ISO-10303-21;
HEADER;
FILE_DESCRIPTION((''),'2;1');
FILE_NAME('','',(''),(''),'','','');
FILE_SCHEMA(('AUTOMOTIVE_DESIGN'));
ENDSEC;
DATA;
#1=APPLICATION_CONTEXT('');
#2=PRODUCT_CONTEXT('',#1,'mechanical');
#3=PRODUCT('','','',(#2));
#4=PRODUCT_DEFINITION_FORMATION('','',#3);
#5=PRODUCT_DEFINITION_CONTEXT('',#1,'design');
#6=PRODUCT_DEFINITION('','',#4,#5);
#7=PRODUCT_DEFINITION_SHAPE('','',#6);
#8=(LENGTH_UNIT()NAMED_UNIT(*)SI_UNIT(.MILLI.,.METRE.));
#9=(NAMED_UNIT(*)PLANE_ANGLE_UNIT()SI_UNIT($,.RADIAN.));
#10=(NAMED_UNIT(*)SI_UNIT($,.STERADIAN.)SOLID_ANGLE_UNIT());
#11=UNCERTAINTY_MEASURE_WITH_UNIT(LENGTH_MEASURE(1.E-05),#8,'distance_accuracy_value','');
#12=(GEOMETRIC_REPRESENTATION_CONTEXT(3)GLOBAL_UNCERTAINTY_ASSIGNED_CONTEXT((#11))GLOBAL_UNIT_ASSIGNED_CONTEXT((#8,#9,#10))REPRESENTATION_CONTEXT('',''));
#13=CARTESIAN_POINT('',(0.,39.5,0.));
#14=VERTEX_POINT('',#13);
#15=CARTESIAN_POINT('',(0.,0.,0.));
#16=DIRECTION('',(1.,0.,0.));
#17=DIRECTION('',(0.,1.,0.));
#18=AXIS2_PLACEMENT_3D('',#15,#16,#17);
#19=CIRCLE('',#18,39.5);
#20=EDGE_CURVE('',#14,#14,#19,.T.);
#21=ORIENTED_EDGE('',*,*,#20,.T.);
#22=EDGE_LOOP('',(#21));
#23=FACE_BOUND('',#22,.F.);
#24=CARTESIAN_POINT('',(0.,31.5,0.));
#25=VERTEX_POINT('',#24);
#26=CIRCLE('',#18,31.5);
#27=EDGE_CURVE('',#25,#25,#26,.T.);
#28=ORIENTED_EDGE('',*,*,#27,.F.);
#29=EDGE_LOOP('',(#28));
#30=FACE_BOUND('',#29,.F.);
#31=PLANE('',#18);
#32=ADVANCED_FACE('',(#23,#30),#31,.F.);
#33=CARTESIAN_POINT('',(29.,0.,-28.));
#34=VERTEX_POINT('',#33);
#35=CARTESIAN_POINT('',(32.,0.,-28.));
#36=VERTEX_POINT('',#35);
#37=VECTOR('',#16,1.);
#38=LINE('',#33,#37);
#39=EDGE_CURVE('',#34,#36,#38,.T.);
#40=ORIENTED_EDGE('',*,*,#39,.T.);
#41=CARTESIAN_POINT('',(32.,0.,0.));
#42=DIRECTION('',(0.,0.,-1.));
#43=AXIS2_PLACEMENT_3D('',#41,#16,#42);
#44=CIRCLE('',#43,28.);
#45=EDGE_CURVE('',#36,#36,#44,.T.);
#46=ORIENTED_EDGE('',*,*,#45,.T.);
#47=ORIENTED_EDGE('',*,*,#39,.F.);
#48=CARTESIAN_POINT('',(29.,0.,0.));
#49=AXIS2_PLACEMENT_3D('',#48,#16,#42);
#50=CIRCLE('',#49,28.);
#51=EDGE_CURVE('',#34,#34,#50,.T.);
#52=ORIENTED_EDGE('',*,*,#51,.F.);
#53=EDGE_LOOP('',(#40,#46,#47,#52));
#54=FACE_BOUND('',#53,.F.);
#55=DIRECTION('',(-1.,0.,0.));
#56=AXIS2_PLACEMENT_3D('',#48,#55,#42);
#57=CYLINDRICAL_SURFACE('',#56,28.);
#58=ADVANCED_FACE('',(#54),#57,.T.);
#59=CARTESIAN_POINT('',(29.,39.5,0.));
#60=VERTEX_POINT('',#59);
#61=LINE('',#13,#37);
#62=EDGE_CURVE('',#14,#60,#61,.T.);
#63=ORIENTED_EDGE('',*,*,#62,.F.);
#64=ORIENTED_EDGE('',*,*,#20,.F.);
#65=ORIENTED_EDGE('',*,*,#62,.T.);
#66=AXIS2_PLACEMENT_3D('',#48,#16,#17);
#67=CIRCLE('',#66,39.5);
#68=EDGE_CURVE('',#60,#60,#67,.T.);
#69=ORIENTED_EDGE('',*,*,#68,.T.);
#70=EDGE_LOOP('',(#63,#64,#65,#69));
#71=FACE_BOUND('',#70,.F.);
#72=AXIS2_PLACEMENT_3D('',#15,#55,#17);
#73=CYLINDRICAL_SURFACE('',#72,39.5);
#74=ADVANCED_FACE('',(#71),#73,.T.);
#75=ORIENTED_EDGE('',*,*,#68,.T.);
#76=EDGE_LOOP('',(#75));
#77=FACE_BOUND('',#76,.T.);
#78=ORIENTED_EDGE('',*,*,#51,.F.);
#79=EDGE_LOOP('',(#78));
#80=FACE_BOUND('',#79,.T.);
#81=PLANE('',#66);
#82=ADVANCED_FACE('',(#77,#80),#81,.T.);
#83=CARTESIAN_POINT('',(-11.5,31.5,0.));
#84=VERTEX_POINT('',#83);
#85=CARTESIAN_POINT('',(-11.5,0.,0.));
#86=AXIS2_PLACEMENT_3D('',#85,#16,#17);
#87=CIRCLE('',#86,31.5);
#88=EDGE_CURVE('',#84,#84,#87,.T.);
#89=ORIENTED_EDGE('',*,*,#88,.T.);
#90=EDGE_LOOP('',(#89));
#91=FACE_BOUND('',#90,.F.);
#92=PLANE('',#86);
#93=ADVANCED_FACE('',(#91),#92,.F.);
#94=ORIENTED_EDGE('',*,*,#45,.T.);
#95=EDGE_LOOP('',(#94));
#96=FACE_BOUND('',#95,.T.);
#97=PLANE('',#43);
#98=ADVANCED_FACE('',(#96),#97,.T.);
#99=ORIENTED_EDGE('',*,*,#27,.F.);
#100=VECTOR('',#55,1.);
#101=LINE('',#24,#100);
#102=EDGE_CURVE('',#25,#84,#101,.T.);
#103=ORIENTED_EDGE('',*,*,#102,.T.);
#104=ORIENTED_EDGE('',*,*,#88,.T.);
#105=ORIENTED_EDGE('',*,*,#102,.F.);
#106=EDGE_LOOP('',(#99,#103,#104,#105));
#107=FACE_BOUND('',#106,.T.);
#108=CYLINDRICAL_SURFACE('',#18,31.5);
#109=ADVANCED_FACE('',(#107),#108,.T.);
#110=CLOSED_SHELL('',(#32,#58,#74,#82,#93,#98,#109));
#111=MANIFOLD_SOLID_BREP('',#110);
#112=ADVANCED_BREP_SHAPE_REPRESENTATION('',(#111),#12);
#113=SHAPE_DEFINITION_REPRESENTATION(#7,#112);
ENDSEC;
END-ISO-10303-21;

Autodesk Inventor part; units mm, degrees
ref_plane "YZ Plane" through (0, 0, 0) normal (1, 0, 0) x (0, 1, 0)
ref_plane "XZ Plane" through (0, 0, 0) normal (0, 1, 0) x (-1, 0, 0)
ref_plane "XY Plane" through (0, 0, 0) normal (0, 0, 1) x (1, 0, 0)
sketch "Sketch1" plane through (0, 0, 0) normal (1, 0, 0) x (0, 1, 0)
  circle A0 centre (0, 0) radius 31.5
  circle A1 centre (0, 0) radius 39.5
  dimension "d0" = 79
  dimension "d1" = 63
extrude "Extrusion1" add sketch "Sketch1" against normal blind 11.5 contours A0
extrude "Extrusion2" add sketch "Sketch1" along normal blind 29 contours A0 | A1
sketch "Sketch2" plane through (29, 0, 0) normal (1, 0, 0) x (0, 0, -1)
  circle A0 centre (0, 0) radius 28
  dimension "d12" = 56
extrude "Extrusion3" add sketch "Sketch2" along normal blind 3
properties part number "motor"
